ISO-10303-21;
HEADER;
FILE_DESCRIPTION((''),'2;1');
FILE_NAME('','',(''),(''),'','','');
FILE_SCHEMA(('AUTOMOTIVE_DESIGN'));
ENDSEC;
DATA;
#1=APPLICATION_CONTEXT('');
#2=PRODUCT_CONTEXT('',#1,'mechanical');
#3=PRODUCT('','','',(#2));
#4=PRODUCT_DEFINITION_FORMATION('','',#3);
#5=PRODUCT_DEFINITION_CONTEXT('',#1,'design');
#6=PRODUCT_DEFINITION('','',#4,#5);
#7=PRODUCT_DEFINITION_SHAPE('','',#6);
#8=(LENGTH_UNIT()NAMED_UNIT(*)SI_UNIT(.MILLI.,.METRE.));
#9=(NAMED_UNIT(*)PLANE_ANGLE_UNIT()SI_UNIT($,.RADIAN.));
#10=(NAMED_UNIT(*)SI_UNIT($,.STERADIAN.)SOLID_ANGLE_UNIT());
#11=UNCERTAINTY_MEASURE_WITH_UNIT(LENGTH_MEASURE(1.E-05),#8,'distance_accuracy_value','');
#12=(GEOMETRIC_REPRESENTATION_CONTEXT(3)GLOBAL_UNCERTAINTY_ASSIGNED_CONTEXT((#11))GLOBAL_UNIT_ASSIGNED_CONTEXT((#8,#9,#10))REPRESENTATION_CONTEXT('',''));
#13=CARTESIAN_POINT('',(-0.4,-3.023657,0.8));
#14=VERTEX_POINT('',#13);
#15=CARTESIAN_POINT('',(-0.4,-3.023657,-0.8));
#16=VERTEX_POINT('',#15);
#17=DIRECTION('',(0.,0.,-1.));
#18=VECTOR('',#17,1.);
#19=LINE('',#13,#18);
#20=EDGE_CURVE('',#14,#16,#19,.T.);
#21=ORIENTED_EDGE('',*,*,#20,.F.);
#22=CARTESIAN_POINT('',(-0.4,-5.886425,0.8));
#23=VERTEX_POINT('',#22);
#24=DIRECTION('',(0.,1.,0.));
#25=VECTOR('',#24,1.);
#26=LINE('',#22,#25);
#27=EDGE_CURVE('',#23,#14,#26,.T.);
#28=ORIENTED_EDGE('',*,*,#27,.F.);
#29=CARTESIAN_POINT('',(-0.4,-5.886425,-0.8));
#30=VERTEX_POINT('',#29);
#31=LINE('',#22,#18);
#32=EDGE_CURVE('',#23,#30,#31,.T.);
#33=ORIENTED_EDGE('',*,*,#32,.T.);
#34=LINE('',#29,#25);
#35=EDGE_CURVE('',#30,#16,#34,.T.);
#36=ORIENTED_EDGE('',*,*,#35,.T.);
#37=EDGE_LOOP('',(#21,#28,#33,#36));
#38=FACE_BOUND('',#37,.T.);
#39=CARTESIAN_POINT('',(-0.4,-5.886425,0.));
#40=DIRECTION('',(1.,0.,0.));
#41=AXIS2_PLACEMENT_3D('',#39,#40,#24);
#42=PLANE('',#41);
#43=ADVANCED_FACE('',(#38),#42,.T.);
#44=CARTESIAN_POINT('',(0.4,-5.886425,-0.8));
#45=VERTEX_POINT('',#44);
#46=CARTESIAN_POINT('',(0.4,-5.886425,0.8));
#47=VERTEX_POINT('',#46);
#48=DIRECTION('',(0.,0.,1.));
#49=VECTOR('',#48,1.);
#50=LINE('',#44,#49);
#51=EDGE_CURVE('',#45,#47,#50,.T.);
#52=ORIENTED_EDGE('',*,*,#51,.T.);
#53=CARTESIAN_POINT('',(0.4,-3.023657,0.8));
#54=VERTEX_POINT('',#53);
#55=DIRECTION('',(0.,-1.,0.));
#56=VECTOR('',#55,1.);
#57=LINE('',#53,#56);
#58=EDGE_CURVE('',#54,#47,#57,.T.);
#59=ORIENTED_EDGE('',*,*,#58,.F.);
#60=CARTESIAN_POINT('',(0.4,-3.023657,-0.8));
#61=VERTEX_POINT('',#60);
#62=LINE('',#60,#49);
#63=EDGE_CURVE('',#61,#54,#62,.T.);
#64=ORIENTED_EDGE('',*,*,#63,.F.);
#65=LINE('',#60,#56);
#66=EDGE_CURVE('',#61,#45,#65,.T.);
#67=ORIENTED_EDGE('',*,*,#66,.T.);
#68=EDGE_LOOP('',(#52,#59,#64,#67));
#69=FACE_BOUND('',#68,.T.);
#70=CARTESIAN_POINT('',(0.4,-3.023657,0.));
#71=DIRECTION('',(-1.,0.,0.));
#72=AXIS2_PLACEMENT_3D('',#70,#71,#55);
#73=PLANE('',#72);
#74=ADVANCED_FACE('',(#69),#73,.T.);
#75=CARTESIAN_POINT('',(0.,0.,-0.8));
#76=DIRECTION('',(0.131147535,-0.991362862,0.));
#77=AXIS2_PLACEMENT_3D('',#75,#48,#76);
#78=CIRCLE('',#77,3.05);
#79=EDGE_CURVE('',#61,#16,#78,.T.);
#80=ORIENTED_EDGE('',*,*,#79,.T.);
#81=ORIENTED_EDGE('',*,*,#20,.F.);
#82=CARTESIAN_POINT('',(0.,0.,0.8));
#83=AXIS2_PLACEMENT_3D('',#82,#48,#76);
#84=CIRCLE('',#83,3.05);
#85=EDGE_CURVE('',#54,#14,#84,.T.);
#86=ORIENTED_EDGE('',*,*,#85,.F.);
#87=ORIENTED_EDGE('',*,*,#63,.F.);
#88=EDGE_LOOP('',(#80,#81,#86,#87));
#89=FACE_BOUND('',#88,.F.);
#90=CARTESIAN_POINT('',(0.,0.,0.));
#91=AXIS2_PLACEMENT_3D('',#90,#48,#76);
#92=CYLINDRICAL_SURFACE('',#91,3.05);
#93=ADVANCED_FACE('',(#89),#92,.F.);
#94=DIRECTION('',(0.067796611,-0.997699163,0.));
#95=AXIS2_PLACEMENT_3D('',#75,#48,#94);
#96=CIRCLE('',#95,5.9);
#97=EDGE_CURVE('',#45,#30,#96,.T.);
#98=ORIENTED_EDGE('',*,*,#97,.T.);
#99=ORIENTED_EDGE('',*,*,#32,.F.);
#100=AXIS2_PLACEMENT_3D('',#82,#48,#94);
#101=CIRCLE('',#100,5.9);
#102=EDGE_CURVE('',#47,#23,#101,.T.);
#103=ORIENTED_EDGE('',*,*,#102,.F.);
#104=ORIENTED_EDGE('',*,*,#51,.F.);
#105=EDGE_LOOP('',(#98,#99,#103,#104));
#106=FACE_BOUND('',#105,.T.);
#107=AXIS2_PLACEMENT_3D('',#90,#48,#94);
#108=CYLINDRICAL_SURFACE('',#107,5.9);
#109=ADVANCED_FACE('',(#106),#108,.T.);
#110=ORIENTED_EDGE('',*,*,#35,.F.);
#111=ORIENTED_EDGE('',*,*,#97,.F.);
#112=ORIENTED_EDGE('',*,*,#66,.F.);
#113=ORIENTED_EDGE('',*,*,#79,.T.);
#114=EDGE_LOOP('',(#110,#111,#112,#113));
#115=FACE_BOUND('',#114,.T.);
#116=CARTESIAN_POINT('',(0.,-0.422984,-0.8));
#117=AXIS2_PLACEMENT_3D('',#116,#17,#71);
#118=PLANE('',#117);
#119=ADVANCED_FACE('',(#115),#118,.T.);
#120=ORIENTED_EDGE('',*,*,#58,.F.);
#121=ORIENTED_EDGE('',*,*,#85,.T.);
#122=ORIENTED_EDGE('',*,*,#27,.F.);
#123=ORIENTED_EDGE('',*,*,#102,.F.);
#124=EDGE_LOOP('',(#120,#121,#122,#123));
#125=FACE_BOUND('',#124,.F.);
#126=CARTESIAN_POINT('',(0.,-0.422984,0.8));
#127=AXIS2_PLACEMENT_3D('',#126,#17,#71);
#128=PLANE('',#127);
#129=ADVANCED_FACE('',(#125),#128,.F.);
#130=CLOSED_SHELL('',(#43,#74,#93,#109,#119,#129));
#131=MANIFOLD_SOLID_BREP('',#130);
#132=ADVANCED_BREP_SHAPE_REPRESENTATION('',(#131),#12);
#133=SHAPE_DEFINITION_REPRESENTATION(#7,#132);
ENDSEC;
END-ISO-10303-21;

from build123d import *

# Parameters (mm, degrees)
PAD_DEPTH = 0.8


with BuildPart() as part:
    # Sketch → Pad (new body, symmetric)
    with BuildSketch(Plane.XY):
        with BuildLine():
            ThreePointArc((0.4, -3.023657), (0, 3.05), (-0.4, -3.023657))
            Line((-0.4, -5.886425), (-0.4, -3.023657))
            ThreePointArc((0.4, -5.886425), (0, 5.9), (-0.4, -5.886425))
            Line((0.4, -3.023657), (0.4, -5.886425))
        make_face()
    extrude(amount=PAD_DEPTH, both=True)


solid = part.part
